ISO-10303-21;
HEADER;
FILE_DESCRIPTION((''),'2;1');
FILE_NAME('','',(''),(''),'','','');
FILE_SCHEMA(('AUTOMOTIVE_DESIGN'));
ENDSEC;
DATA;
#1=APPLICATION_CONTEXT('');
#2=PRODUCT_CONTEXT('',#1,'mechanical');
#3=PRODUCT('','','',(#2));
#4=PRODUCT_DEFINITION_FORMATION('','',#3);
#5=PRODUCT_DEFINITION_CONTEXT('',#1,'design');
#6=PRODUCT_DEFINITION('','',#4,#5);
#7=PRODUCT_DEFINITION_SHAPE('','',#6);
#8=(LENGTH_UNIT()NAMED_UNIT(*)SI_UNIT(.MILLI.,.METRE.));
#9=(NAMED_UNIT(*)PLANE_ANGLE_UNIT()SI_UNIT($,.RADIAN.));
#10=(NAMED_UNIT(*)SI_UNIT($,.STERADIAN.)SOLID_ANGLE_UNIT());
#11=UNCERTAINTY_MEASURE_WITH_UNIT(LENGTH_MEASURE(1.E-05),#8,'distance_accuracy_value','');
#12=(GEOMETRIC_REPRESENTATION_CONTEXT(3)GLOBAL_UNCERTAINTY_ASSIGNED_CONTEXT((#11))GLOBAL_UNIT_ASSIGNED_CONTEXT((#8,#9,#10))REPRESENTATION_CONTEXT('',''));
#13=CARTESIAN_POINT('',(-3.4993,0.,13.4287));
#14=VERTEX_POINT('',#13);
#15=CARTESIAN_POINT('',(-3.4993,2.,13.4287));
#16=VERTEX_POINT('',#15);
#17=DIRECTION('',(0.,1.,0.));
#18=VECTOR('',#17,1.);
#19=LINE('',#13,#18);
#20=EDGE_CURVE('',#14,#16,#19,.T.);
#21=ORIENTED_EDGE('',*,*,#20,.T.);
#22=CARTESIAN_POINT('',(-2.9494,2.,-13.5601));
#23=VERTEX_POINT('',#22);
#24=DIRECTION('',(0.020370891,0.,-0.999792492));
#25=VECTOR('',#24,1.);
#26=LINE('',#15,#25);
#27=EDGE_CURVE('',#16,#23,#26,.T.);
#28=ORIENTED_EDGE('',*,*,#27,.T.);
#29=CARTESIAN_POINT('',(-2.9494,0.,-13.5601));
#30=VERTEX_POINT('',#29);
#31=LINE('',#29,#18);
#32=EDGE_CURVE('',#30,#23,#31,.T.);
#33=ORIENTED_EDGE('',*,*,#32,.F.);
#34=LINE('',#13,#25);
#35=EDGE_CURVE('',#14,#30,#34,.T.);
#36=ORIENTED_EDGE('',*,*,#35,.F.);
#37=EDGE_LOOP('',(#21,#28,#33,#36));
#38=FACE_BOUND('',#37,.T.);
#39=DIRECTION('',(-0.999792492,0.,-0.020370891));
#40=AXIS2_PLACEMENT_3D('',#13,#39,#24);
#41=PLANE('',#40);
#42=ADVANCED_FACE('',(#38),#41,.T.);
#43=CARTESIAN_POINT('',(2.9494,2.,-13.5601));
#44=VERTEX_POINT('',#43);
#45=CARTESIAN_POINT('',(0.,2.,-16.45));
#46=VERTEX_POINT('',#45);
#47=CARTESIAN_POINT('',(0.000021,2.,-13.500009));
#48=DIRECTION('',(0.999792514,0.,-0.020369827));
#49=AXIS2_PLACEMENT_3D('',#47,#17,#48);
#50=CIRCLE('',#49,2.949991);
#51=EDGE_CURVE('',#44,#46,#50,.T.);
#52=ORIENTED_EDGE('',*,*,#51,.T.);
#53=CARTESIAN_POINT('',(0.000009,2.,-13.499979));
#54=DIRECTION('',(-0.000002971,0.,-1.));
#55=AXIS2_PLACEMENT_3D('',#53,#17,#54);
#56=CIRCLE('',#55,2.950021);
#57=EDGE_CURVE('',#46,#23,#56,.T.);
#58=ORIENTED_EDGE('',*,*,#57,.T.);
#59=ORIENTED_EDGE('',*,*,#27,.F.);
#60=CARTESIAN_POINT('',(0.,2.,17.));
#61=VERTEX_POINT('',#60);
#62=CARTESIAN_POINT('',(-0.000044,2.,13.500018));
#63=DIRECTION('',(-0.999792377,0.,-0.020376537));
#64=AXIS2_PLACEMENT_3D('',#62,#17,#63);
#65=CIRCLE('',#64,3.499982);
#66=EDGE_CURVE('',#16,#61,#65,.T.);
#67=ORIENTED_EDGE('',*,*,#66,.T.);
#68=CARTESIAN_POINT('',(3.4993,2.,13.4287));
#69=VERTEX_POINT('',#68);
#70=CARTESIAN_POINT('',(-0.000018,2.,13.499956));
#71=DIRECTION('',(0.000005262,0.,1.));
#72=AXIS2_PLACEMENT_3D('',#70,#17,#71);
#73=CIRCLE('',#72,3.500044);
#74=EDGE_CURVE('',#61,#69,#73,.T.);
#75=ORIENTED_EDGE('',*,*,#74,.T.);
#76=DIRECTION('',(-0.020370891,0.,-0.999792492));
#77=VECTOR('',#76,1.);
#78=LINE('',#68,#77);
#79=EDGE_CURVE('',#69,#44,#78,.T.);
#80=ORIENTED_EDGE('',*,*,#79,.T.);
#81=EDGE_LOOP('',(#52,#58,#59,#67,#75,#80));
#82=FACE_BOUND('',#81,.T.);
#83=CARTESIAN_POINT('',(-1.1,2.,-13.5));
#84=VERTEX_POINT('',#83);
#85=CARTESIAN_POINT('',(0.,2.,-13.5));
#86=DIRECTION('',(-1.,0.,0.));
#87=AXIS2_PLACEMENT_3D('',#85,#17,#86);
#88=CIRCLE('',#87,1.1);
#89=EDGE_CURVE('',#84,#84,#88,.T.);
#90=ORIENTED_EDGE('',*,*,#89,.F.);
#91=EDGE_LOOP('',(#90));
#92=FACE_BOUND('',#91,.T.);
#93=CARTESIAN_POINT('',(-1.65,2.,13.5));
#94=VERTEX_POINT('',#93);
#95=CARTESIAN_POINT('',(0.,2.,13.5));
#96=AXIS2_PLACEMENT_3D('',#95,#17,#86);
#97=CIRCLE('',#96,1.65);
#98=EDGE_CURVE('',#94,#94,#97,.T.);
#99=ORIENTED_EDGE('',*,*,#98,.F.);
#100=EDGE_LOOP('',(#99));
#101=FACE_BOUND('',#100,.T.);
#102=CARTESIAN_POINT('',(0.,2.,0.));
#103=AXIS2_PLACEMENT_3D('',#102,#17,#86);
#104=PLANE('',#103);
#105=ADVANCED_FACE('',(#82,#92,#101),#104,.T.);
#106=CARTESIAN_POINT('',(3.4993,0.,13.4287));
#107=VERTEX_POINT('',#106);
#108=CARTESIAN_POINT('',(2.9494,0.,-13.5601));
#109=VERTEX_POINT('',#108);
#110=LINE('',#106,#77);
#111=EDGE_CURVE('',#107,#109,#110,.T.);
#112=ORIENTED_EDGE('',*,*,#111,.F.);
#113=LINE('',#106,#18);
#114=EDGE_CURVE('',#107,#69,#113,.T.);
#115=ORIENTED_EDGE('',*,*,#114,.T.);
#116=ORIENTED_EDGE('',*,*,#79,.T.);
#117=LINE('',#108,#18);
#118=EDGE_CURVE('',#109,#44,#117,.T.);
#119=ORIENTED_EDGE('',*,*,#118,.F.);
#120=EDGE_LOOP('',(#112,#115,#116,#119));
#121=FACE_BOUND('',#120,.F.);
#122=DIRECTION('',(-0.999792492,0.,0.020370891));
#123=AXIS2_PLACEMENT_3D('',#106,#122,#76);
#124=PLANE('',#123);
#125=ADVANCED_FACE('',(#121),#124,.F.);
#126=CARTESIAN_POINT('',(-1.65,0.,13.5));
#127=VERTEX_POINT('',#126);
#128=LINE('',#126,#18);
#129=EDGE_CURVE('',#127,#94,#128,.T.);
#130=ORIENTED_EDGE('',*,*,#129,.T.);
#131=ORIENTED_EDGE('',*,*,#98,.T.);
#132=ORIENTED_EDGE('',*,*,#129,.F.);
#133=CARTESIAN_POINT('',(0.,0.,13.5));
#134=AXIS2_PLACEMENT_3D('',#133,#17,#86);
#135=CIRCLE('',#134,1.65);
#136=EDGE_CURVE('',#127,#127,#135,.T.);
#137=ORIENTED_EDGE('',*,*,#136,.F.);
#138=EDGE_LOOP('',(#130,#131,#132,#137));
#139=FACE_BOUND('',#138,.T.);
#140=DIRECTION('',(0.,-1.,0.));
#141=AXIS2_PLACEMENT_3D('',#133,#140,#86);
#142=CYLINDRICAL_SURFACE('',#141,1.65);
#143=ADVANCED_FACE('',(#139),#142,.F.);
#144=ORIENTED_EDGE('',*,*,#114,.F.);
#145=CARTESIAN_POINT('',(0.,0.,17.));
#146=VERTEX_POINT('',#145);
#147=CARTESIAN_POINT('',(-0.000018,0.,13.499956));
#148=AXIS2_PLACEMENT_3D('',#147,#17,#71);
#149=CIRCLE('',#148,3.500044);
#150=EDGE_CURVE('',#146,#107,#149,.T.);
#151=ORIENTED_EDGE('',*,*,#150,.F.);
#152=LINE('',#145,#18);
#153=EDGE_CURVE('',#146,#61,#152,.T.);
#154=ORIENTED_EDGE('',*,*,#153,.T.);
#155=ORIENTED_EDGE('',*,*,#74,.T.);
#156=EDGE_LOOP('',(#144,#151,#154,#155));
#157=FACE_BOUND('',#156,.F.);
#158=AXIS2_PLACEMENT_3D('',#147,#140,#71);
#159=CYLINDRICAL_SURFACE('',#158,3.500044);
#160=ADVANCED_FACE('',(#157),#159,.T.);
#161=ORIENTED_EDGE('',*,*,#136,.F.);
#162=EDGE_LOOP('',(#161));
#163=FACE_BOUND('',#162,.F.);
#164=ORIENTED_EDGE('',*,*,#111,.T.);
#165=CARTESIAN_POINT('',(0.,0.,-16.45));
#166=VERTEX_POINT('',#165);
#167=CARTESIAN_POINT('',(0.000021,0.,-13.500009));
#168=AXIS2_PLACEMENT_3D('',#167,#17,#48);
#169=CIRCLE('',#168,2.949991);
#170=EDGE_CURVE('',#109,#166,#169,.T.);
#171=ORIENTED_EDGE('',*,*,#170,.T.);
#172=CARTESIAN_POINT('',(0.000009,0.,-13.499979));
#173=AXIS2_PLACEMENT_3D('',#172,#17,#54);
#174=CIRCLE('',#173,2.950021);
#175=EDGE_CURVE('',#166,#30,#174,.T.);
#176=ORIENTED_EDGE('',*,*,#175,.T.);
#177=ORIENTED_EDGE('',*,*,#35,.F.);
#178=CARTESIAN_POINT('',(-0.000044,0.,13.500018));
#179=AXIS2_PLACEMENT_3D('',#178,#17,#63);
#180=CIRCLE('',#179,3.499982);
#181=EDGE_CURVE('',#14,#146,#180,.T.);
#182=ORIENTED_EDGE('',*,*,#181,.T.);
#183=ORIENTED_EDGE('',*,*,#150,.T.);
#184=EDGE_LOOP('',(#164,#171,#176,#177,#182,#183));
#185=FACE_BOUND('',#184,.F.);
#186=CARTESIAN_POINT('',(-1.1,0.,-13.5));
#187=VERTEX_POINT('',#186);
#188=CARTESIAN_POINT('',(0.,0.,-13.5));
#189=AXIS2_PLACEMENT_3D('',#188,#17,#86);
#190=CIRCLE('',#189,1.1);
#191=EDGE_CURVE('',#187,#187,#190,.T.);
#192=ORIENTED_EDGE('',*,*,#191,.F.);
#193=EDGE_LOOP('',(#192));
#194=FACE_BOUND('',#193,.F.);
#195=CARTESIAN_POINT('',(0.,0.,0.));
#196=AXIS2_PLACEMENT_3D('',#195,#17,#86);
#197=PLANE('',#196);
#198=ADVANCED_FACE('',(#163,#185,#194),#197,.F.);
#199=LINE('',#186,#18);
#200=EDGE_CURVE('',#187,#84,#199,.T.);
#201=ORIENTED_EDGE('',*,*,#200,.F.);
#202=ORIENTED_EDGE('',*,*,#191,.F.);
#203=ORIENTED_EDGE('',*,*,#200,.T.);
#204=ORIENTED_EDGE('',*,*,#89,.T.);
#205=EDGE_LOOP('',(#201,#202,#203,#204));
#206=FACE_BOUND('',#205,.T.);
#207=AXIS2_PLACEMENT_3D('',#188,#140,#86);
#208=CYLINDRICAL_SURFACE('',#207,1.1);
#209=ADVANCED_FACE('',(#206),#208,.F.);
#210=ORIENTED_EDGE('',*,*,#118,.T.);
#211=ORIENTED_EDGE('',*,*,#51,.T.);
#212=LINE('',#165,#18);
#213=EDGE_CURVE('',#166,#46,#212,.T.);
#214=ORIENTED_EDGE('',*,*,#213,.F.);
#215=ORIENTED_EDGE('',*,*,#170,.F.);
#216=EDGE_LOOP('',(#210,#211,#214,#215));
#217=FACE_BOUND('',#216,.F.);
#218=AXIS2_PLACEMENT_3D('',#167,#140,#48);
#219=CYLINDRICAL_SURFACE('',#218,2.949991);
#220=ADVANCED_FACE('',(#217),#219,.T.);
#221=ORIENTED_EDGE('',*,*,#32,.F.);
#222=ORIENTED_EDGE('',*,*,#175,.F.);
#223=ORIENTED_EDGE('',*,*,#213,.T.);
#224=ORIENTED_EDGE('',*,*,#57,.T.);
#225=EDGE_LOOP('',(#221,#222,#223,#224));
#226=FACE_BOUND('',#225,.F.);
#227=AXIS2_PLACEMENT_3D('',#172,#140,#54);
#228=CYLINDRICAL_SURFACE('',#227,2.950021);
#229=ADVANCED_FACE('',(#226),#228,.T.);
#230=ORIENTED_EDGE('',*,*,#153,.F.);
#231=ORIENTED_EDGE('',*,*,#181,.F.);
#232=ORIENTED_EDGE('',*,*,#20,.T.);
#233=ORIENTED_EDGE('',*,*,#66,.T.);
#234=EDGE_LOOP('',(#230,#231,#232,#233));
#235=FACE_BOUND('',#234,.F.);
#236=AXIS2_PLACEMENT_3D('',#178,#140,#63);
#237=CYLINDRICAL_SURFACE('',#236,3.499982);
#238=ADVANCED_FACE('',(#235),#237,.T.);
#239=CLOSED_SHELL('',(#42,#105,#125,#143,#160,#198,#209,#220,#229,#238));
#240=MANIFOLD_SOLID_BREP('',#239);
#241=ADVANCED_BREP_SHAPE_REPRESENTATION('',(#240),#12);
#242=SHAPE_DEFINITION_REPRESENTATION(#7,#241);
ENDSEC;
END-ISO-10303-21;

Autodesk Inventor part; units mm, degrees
ref_plane "YZ Plane" through (0, 0, 0) normal (1, 0, 0) x (0, 1, 0)
ref_plane "XZ Plane" through (0, 0, 0) normal (0, 1, 0) x (-1, 0, 0)
ref_plane "XY Plane" through (0, 0, 0) normal (0, 0, 1) x (1, 0, 0)
sketch "Эскиз1" plane through (0, 0, 0) normal (0, 1, 0) x (-1, 0, 0)
  line L0 (0, 17) -> (0, 17)
  line L1 (0, -17) -> (0, -17)
  arc A0 (3.4993, 13.4287) -> (0, 17) centre (0, 13.5) ccw
  circle A1 centre (0, 13.5) radius 1.65
  circle A2 centre (0, -13.5) radius 1.1
  line L2 (3.4993, 13.4287) -> (2.9494, -13.5601)
  arc A3 (0, -16.45) -> (2.9494, -13.5601) centre (0, -13.5) ccw
  arc A4 (0, 17) -> (-3.4993, 13.4287) centre (0, 13.5) ccw
  line L3 (-3.4993, 13.4287) -> (-2.9494, -13.5601)
  arc A5 (-2.9494, -13.5601) -> (0, -16.45) centre (0, -13.5) ccw
  point P0 (0, 0)
  dimension "d2" = 3.5
  dimension "d4" = 2.2
  dimension "d5" = 3.3
extrude "Выдавливание1" add sketch "Эскиз1" along normal blind 2
properties part number "servo_leg"
